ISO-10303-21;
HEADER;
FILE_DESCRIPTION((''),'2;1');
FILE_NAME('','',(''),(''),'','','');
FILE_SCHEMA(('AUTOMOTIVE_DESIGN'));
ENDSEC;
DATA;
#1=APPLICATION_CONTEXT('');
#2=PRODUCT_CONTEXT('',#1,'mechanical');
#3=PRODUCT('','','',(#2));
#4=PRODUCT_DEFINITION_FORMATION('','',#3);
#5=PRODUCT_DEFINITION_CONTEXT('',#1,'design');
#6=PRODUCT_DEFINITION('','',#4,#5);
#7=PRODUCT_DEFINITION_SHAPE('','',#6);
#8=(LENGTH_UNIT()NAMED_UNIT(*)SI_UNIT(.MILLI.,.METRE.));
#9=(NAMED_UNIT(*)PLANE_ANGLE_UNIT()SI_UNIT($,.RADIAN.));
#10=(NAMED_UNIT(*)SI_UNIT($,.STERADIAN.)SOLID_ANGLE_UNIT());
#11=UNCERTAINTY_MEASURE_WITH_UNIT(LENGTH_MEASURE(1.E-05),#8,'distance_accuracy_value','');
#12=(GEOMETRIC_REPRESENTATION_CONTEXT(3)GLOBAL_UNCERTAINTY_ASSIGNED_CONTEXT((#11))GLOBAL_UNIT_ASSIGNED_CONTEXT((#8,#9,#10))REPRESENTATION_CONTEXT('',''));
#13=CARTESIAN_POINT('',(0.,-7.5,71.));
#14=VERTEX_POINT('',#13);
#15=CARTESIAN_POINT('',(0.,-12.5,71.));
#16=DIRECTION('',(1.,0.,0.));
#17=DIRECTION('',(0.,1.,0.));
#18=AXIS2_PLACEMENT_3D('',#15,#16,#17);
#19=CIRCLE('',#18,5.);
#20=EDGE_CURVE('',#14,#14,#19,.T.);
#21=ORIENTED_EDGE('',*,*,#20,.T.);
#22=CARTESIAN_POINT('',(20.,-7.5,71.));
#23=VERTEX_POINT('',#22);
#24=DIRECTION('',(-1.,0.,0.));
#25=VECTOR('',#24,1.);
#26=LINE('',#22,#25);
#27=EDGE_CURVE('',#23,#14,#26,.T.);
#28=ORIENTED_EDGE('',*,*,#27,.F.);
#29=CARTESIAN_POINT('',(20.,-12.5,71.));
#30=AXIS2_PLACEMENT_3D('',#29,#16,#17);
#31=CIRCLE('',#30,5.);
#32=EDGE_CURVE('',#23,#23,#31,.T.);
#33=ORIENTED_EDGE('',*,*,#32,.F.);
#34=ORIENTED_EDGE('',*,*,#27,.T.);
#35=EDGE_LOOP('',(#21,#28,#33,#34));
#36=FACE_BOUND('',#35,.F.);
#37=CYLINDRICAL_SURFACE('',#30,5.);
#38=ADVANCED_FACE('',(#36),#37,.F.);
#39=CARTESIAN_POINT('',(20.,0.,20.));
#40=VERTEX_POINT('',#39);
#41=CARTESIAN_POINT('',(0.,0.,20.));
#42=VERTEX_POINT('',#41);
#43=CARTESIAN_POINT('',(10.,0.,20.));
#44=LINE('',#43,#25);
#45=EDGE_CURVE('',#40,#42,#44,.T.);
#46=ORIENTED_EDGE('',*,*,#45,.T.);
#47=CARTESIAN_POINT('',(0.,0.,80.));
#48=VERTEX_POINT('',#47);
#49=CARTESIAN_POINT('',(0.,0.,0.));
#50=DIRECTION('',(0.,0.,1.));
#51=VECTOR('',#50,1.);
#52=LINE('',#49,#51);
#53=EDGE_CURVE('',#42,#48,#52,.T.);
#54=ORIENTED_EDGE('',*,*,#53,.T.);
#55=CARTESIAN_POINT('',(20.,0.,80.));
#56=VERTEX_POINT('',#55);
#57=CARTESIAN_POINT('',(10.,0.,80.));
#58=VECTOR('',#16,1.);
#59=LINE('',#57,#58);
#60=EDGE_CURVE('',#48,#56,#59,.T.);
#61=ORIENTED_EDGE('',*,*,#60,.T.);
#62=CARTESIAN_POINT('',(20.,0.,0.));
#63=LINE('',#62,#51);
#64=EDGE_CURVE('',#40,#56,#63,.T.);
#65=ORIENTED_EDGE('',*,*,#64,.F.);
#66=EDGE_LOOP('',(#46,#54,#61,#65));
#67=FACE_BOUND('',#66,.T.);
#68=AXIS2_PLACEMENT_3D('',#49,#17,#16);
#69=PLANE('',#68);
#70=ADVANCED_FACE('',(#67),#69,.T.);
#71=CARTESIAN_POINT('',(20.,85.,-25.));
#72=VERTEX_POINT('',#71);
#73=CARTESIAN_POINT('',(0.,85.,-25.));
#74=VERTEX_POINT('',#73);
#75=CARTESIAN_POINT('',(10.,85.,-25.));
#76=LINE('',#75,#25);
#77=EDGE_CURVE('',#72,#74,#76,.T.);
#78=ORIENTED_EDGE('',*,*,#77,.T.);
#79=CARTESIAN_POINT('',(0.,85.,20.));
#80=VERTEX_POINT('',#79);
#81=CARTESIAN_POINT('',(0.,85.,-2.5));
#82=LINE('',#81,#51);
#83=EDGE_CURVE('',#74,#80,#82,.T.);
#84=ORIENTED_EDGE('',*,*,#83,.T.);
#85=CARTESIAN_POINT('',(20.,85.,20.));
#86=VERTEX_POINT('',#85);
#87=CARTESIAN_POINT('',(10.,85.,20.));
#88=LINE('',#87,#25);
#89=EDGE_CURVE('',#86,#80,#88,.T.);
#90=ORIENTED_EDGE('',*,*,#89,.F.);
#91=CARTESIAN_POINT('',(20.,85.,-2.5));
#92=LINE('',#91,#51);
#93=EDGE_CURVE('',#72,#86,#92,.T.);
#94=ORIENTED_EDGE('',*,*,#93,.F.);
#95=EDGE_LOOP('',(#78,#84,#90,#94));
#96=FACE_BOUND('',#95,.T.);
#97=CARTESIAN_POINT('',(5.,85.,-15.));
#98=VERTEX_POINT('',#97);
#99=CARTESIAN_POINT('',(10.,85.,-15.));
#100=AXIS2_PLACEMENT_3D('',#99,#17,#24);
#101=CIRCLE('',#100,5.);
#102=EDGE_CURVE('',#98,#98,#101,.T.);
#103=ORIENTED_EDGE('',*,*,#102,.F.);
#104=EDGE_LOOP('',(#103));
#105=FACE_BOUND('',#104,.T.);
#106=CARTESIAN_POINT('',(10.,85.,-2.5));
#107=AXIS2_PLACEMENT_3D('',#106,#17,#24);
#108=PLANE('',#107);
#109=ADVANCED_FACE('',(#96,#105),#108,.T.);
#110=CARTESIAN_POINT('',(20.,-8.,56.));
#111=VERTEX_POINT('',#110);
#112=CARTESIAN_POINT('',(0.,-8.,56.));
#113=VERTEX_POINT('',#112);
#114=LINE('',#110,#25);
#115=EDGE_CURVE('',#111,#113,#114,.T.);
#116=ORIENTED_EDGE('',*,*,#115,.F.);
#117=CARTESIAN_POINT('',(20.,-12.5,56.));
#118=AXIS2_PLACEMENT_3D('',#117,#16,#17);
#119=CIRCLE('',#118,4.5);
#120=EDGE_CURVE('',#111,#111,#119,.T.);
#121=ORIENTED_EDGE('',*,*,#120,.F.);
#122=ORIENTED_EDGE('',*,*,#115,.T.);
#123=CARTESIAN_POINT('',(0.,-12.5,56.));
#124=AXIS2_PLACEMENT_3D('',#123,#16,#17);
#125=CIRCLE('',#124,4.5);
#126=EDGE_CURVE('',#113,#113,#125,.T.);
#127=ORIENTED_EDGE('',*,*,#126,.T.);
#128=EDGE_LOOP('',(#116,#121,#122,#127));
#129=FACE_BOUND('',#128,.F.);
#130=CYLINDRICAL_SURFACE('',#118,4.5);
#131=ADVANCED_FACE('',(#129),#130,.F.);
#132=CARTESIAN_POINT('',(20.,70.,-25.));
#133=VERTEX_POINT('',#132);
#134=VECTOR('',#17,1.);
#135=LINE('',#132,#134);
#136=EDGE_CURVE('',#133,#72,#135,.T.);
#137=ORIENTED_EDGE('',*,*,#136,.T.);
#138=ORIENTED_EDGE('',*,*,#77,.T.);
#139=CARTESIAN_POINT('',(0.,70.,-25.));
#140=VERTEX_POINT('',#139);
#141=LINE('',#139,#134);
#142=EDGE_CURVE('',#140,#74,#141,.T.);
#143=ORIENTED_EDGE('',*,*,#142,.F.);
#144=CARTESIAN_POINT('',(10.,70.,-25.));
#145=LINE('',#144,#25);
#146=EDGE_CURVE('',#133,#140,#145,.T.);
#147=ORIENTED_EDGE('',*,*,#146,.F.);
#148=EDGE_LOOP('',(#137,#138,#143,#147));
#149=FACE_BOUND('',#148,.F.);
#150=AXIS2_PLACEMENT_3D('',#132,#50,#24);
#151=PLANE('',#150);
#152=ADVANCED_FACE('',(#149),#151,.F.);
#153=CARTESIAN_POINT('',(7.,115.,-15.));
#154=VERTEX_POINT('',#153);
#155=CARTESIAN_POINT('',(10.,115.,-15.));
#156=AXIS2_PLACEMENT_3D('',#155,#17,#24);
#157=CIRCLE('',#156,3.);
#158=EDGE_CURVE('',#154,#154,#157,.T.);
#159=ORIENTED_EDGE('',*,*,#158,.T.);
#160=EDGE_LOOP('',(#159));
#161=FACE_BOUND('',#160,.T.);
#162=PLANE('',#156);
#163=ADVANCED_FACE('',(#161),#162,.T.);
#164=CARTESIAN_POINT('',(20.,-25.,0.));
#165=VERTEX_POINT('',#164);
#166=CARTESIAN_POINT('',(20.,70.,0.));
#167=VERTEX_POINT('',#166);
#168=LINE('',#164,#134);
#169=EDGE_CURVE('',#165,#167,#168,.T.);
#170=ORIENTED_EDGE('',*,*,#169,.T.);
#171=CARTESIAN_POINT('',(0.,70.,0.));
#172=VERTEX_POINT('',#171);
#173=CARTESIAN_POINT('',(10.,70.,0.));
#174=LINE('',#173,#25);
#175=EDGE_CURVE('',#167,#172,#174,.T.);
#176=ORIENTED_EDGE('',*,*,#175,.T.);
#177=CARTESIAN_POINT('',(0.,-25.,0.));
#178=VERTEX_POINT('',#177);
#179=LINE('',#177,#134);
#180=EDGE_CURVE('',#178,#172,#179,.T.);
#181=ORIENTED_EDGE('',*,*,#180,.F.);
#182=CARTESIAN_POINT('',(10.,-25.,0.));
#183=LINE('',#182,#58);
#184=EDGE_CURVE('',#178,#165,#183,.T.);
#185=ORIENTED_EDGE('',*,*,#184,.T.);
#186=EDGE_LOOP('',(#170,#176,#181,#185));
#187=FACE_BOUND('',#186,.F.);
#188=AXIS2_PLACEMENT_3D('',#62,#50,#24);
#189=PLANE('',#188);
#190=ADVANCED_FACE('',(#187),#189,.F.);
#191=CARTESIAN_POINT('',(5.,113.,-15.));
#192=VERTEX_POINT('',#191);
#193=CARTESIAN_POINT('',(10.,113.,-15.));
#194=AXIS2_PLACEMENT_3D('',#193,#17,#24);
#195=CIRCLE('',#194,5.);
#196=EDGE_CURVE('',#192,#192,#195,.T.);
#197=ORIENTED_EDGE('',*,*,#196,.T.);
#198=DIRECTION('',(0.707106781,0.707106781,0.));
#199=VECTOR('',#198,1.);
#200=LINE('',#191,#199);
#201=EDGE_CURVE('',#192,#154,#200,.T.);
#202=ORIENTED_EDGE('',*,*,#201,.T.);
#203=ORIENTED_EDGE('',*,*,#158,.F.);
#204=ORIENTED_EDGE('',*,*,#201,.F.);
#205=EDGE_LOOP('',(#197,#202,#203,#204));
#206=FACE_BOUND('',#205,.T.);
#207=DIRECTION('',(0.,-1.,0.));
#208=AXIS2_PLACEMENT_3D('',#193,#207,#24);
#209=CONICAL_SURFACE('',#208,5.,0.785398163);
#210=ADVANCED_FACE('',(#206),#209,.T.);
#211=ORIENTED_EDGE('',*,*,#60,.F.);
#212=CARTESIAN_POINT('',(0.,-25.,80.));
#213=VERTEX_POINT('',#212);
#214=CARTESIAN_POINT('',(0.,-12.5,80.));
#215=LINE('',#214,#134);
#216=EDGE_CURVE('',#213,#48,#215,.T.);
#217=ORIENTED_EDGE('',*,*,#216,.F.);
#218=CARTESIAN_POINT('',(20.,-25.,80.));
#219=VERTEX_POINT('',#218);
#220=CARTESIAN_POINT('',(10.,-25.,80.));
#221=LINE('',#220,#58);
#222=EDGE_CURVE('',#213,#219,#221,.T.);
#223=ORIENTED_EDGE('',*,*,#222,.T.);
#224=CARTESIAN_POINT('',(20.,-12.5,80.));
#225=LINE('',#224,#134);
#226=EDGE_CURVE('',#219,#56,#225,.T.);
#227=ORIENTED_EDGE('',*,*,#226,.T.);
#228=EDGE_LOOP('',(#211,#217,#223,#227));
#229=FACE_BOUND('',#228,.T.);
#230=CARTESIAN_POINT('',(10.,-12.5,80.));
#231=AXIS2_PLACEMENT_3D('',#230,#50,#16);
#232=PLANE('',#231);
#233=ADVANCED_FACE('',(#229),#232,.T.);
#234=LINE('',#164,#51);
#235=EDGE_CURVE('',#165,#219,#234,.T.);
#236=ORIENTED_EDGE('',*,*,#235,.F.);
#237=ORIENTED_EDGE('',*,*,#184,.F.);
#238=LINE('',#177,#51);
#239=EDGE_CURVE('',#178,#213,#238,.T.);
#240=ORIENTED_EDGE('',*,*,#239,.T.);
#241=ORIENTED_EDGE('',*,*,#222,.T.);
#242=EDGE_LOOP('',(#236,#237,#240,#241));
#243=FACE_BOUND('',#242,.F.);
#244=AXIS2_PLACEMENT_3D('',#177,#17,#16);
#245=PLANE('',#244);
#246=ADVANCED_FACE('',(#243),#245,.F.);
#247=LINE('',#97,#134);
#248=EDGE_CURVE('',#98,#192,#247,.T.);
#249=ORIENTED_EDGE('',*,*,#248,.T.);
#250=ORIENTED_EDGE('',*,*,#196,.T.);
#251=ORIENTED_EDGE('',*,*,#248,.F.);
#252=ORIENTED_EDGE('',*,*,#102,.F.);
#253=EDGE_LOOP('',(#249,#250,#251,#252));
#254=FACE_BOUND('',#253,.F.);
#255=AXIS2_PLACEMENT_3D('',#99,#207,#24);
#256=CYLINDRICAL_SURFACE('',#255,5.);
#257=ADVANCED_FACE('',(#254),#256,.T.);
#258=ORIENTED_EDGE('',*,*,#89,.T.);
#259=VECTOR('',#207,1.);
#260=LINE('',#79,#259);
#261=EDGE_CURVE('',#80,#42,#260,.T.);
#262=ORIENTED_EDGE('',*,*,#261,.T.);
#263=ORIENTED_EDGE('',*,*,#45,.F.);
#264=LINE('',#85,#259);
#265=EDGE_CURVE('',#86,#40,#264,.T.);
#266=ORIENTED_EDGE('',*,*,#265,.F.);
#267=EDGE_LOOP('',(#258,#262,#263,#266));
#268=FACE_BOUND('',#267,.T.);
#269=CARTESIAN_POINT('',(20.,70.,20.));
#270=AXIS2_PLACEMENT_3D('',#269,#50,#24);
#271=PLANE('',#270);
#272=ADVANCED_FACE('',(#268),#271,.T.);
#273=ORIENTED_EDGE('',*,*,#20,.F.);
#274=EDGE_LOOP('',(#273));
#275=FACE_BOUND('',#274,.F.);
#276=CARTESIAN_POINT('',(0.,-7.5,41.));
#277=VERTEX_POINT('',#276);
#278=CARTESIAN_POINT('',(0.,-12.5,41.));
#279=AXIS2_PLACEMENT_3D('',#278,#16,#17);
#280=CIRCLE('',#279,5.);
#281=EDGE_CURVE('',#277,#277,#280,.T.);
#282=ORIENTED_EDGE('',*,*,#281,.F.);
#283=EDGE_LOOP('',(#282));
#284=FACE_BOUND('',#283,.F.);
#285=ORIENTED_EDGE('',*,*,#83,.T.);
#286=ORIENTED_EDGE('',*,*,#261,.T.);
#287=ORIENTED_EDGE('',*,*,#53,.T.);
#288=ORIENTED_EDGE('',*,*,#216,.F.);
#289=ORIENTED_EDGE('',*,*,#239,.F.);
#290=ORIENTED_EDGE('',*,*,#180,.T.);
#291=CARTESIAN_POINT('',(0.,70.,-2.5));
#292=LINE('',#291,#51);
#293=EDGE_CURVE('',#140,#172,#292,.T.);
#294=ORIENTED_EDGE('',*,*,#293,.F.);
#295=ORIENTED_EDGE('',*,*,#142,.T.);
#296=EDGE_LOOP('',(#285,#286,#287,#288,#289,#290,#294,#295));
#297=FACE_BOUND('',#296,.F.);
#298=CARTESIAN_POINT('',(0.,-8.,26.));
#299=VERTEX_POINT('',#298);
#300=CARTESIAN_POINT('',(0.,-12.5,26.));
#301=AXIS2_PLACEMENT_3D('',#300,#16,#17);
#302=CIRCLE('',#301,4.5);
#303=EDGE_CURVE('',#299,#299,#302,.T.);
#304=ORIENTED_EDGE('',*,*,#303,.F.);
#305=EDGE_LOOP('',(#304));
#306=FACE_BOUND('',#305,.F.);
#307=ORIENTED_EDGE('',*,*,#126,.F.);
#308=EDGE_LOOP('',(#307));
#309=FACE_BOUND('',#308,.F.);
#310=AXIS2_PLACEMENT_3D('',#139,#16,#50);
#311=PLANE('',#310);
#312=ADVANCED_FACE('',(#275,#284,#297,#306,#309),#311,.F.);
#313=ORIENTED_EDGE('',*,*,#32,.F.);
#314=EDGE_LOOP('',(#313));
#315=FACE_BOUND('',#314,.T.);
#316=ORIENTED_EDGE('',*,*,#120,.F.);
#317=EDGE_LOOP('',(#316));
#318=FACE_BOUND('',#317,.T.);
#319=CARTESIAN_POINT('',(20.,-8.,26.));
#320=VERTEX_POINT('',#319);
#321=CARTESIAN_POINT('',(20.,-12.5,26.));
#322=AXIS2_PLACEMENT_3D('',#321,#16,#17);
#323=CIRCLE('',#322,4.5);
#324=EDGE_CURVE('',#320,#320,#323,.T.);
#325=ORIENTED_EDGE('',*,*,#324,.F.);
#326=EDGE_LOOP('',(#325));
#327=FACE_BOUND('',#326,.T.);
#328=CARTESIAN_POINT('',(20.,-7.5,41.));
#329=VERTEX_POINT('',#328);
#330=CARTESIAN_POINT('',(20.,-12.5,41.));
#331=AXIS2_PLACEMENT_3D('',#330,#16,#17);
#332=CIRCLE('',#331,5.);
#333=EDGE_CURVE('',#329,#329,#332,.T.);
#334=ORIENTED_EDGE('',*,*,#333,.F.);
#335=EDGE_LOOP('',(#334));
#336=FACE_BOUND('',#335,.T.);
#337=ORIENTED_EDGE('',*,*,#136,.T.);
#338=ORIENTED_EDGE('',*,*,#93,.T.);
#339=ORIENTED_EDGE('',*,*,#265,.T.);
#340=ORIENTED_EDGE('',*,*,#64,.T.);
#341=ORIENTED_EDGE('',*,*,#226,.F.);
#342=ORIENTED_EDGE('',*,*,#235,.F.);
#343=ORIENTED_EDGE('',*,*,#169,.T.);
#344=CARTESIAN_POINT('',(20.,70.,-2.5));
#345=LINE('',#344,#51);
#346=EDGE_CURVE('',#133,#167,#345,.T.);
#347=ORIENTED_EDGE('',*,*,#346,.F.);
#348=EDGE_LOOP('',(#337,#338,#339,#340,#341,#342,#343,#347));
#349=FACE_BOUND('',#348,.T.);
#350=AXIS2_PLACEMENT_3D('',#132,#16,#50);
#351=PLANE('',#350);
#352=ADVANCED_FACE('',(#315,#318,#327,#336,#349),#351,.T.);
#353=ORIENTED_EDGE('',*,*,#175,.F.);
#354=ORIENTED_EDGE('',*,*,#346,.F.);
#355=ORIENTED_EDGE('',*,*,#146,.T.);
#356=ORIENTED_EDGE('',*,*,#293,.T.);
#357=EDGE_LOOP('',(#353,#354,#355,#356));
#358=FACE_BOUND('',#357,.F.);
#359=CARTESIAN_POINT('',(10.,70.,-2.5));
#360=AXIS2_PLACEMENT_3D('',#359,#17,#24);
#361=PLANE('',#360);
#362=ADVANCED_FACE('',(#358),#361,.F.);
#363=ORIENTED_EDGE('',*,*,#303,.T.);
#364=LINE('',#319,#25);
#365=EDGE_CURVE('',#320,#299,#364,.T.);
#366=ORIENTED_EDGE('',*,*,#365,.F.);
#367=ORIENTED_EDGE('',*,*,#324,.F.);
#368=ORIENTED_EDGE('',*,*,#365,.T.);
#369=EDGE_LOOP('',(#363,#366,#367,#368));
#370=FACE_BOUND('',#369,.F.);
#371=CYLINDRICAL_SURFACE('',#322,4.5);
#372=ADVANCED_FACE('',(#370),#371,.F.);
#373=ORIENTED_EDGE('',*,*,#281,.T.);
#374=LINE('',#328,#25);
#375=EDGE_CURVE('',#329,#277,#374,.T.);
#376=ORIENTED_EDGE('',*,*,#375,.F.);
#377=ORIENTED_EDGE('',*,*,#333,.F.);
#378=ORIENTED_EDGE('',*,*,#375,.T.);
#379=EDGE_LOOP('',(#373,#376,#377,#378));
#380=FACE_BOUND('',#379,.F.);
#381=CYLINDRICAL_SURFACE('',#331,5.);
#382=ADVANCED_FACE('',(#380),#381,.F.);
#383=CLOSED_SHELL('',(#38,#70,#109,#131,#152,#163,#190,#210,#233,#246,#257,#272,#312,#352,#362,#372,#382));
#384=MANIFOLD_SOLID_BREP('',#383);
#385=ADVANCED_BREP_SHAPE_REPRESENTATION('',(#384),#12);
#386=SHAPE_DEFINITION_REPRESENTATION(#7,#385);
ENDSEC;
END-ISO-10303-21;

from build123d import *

# Parameters (mm, degrees)
F0_W     = 20
F0_H     = 25
F1_DEPTH = 80
F2_R     = 5
F2_R_2   = 4.5
F3_DEPTH = 25
F4_W     = 20
F4_H     = 20
F5_DEPTH = 70
F6_W     = 20
F6_H     = 45
F7_DEPTH = 15
F8_R     = 5
F9_DEPTH = 30
F10_SIZE = 2


with BuildPart() as f1:
    # F0 (on Top) → F1 (new body)
    with BuildSketch(Plane.XY):
        with Locations((10, -12.5)):
            Rectangle(F0_W, F0_H)
    extrude(amount=F1_DEPTH)

    # F2 (on face) → F3 (cut)
    with BuildSketch(Plane.YZ.offset(20)):
        with Locations((-12.5, 71)):
            Circle(F2_R)
        with Locations((-12.5, 56)):
            Circle(F2_R_2)
        with Locations((-12.5, 41)):
            Circle(F2_R)
        with Locations((-12.5, 26)):
            Circle(F2_R_2)
    extrude(amount=-F3_DEPTH, mode=Mode.SUBTRACT)

    # F4 (on face) → F5 (join)
    with BuildSketch(Plane(origin=(0, 0, 0), x_dir=(-1, 0, 0), z_dir=(0, 1, 0))):
        with Locations((-10, 10)):
            Rectangle(F4_W, F4_H)
    extrude(amount=F5_DEPTH)

    # F6 (on face) → F7 (join)
    with BuildSketch(Plane(origin=(0, 70, 0), x_dir=(-1, 0, 0), z_dir=(0, 1, 0))):
        with Locations((-10, -2.5)):
            Rectangle(F6_W, F6_H)
    extrude(amount=F7_DEPTH)

    # F8 (on face) → F9 (join)
    with BuildSketch(Plane(origin=(0, 85, 0), x_dir=(-1, 0, 0), z_dir=(0, 1, 0))):
        with Locations((-10, -15)):
            Circle(F8_R)
    extrude(amount=F9_DEPTH)

    # F10
    f10_edges = [f1.edges().sort_by_distance(p)[0] for p in [
        (15, 115, -15),
    ]]
    chamfer(f10_edges, length=F10_SIZE)


solid = f1.part
